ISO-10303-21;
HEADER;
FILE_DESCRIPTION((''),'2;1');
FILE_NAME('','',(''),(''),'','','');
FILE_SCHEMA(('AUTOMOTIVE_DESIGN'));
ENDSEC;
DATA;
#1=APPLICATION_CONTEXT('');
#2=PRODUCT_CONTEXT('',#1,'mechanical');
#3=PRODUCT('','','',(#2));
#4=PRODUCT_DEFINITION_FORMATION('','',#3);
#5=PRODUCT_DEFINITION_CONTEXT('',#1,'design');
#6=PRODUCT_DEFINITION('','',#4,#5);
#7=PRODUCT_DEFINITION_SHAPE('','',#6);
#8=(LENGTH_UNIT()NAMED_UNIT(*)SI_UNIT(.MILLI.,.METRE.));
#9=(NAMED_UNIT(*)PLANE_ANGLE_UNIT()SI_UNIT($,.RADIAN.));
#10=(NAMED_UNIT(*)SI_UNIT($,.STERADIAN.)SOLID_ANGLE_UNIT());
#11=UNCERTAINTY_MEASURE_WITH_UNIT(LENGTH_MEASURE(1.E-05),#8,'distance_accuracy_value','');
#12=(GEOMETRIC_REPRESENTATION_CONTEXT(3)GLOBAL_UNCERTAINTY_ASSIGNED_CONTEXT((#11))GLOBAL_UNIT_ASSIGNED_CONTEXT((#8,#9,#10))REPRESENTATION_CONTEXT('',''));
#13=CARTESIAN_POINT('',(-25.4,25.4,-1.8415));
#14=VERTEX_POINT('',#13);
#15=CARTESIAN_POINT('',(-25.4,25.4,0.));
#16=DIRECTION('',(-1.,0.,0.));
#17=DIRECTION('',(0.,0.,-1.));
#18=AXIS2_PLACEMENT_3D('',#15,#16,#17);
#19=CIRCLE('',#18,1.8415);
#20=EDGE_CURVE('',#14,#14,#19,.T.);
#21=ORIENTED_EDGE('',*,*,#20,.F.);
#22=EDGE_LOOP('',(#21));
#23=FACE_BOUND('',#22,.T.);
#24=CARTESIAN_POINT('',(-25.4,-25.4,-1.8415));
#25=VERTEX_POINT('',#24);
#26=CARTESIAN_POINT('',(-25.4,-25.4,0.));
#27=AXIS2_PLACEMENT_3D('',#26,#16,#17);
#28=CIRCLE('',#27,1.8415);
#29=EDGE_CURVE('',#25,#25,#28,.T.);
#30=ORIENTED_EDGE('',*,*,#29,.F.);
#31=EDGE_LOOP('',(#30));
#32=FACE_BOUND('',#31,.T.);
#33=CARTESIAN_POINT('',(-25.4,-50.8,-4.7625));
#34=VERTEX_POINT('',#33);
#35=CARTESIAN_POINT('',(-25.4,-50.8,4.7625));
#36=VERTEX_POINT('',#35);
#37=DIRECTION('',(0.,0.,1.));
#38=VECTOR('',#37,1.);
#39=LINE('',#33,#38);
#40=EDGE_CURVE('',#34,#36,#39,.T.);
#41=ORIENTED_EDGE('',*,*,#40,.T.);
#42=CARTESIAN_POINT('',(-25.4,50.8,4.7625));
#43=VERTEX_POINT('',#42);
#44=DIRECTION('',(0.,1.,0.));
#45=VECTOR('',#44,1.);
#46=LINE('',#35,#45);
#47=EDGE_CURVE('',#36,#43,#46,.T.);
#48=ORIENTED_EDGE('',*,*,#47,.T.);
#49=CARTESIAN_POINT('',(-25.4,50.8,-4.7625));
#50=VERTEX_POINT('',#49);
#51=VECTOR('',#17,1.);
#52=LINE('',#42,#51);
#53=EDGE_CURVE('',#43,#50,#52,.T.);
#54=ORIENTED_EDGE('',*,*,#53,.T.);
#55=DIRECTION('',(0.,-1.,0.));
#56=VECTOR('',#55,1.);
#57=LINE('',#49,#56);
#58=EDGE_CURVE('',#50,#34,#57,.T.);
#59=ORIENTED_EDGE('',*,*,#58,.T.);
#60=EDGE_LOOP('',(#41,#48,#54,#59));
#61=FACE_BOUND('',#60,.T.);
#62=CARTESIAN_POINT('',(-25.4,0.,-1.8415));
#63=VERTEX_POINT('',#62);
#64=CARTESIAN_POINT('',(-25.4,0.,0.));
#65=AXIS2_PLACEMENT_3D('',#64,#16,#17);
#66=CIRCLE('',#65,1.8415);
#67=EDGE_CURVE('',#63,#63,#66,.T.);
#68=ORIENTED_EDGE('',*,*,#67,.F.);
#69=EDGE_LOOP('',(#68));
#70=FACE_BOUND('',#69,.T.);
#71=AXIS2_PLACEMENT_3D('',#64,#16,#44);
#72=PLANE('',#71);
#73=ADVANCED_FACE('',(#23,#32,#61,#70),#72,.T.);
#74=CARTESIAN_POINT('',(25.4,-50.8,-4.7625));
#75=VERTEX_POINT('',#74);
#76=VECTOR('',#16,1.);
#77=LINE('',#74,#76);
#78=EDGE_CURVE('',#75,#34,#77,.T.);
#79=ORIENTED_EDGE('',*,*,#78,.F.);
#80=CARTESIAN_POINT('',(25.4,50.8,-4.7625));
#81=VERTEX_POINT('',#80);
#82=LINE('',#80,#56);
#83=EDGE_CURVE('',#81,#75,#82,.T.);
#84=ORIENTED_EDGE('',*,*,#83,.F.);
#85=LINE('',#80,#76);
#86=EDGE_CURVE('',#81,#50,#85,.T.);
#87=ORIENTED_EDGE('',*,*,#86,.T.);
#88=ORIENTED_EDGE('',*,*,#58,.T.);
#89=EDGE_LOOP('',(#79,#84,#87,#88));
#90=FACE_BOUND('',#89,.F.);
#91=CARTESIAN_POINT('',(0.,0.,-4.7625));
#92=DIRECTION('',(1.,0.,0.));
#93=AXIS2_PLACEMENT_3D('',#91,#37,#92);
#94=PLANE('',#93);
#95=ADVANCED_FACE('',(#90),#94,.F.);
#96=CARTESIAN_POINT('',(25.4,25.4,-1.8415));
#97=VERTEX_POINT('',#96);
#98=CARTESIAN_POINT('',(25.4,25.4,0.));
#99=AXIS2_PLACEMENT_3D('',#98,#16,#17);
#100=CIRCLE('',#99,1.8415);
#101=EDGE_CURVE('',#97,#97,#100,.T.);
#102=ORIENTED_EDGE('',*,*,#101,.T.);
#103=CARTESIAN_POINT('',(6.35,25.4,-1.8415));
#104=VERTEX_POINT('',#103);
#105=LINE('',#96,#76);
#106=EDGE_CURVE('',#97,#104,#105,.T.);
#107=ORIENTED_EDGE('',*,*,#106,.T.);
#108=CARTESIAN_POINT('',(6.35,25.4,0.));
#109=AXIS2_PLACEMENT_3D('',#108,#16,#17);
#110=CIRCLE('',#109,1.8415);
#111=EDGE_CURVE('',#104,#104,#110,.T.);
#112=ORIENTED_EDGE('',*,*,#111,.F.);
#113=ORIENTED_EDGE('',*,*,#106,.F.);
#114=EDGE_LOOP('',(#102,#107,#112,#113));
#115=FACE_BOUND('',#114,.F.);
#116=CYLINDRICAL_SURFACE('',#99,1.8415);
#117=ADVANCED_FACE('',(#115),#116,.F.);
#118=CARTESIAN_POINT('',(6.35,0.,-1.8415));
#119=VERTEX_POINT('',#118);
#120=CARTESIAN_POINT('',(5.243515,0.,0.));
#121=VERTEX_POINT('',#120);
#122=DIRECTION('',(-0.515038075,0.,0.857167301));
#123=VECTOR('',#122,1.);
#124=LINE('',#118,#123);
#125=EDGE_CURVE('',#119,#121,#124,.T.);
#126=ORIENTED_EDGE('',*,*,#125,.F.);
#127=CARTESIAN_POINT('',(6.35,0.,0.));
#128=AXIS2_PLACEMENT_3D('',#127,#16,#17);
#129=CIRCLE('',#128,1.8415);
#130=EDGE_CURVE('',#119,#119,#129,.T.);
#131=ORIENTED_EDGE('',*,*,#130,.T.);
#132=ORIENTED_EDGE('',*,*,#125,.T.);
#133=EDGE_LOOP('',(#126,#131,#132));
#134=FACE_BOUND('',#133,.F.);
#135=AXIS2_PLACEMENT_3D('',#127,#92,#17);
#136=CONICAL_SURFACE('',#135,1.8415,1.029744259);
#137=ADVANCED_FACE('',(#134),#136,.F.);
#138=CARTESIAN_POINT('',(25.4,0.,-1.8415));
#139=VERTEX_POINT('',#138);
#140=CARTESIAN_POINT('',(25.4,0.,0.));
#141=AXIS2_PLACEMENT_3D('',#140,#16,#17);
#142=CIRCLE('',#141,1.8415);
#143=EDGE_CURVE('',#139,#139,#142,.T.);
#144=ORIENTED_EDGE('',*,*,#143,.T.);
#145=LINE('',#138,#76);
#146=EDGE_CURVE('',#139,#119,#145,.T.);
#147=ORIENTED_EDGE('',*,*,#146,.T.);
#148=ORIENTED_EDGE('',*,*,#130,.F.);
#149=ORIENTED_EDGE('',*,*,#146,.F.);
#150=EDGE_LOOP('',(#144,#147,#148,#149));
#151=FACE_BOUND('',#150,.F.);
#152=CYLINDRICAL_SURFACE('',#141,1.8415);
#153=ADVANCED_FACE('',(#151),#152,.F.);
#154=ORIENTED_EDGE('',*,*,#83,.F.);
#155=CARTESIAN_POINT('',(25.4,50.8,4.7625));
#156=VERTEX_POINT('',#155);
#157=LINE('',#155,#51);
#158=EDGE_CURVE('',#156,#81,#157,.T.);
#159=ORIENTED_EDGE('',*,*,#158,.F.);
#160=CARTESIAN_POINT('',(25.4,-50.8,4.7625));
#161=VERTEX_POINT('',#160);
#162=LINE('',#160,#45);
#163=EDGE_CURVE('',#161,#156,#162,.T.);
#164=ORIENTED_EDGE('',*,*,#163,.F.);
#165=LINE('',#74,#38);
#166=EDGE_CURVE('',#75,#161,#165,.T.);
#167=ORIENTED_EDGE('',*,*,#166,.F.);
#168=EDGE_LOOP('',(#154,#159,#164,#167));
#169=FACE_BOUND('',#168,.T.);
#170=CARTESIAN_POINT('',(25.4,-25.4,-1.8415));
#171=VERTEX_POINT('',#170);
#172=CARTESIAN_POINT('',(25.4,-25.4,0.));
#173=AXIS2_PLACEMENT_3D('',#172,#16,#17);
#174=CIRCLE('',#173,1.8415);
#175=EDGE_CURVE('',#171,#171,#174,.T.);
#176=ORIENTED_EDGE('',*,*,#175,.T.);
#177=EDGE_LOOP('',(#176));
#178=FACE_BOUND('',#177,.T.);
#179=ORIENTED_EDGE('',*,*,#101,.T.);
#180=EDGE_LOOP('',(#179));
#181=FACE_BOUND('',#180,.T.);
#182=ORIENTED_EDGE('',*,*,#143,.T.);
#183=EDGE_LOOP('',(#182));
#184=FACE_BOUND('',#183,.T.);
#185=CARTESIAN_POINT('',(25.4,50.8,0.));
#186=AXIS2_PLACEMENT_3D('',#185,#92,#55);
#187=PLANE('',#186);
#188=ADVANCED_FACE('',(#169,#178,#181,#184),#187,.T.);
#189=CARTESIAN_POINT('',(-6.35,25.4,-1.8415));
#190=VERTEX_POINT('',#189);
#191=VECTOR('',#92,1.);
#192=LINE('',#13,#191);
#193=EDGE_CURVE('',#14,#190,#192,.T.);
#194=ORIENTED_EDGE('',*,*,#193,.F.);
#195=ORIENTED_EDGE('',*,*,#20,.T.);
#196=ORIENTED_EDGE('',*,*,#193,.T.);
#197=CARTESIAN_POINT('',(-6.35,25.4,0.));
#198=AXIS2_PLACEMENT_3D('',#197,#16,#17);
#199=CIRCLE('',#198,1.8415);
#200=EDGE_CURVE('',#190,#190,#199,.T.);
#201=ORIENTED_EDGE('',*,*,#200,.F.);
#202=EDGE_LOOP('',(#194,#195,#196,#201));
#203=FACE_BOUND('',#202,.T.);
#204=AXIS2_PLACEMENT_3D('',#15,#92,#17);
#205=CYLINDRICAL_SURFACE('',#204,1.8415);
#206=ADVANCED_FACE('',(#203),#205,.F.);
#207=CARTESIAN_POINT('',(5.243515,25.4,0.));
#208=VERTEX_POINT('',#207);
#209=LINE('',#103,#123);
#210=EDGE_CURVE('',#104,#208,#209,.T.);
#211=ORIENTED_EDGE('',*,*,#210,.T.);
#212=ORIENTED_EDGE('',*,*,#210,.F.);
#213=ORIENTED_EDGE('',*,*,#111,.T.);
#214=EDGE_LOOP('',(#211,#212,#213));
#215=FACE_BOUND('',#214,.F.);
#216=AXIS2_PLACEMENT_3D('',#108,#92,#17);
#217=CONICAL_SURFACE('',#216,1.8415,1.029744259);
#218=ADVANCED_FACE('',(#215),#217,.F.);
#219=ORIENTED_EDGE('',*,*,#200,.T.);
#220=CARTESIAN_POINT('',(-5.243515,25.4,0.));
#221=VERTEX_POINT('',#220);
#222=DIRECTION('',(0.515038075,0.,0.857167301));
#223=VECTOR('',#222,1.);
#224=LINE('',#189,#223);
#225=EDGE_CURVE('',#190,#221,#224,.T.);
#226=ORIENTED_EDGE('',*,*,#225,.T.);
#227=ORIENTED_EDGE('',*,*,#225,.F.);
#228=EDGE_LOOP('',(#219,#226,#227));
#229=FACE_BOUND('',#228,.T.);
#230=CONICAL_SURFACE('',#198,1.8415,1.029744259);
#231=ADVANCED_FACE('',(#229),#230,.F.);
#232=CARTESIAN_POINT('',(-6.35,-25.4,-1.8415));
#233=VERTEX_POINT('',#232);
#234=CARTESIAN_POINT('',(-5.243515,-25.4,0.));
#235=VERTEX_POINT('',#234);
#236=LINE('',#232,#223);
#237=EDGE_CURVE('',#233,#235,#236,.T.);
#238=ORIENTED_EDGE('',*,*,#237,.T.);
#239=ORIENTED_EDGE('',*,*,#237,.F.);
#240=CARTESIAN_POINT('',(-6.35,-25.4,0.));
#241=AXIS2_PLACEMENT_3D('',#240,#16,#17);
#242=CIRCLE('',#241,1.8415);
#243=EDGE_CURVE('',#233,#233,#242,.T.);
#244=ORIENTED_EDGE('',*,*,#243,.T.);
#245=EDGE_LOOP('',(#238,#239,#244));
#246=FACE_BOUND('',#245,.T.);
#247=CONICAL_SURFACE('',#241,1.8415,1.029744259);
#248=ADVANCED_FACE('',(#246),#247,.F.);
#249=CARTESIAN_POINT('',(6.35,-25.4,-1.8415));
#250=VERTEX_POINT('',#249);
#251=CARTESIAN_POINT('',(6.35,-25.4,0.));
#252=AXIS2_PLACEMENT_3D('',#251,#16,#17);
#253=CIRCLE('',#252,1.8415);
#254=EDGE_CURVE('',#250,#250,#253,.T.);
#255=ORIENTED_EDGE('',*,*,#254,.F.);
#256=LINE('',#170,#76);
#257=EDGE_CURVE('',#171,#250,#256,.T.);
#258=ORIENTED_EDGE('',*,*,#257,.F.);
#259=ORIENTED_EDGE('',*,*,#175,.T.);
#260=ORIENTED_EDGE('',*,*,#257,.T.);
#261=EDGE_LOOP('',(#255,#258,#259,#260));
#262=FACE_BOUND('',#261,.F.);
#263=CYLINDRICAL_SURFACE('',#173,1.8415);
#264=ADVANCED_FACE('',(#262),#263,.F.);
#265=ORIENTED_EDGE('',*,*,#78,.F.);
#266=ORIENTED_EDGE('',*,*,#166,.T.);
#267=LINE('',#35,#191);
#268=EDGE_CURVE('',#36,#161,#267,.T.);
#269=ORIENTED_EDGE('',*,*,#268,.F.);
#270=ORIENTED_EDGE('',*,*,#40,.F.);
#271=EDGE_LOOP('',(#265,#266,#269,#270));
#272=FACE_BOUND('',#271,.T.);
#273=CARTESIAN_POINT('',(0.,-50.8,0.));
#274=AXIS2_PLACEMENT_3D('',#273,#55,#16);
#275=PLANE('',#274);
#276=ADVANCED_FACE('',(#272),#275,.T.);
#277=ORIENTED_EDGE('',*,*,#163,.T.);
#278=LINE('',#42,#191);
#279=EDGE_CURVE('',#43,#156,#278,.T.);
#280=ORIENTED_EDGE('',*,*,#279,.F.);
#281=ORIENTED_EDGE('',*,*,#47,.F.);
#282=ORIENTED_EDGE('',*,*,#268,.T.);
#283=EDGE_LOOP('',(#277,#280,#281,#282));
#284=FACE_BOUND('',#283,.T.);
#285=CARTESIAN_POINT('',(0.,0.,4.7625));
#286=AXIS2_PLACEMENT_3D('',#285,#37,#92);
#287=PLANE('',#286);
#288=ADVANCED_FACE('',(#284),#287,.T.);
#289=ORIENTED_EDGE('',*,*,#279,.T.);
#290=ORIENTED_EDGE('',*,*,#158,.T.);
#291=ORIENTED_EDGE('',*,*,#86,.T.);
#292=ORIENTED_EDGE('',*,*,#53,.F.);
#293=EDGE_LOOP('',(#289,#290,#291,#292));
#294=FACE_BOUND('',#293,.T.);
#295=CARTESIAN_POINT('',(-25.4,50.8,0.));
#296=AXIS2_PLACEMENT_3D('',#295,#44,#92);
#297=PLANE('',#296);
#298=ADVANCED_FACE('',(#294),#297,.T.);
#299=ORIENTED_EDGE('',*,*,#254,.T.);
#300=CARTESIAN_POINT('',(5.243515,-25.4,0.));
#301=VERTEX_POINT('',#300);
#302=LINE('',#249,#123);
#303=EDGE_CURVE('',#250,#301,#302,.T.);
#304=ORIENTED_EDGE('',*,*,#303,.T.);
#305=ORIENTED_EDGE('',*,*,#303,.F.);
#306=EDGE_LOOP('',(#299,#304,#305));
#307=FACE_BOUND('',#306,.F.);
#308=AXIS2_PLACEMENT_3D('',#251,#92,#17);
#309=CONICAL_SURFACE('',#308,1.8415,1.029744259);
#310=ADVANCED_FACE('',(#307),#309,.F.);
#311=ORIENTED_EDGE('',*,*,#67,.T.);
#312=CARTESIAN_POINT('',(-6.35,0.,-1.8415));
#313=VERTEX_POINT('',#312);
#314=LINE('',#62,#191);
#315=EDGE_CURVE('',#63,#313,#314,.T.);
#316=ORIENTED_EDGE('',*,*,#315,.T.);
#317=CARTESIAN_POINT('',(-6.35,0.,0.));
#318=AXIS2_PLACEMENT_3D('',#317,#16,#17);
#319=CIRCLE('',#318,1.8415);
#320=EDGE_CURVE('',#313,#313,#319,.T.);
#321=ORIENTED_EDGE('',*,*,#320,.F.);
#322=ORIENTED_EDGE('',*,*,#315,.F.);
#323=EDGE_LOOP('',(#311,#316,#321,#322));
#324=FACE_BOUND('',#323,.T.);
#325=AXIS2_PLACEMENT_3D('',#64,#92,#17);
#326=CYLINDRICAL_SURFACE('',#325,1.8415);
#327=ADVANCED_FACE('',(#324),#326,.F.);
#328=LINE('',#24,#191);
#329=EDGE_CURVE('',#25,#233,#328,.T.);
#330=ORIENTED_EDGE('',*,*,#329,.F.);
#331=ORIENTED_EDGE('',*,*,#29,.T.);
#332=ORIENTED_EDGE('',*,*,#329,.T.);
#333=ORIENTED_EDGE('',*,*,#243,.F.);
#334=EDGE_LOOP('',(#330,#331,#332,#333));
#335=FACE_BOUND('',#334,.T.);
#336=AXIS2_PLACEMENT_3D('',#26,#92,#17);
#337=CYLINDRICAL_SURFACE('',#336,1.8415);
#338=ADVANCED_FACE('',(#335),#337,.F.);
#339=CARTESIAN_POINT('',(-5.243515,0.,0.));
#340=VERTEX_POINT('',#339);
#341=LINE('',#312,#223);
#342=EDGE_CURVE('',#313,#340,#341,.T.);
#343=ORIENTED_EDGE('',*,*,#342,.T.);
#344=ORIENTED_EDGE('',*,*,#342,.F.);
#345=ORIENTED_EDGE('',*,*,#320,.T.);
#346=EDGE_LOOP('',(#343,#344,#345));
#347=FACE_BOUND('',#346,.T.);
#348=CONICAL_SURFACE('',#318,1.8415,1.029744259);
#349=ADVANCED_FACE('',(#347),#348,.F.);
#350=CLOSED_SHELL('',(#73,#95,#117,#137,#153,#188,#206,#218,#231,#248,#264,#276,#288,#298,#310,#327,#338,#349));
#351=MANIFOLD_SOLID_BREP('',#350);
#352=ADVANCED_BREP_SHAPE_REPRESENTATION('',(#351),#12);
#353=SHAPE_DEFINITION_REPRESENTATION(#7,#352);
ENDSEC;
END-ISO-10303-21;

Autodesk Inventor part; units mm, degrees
ref_plane "YZ Plane" through (0, 0, 0) normal (1, 0, 0) x (0, 1, 0)
ref_plane "XZ Plane" through (0, 0, 0) normal (0, 1, 0) x (-1, 0, 0)
ref_plane "XY Plane" through (0, 0, 0) normal (0, 0, 1) x (1, 0, 0)
sketch "Sketch1" plane through (0, 0, 0) normal (0, 0, 1) x (1, 0, 0)
  line L0 (-35.56, 0) -> (35.56, 0) projected
  line L1 (0, -71.12) -> (0, 71.12) projected
  line L2 (-25.4, 50.8) -> (25.4, 50.8)
  line L3 (25.4, 50.8) -> (25.4, -50.8)
  line L4 (25.4, -50.8) -> (-25.4, -50.8)
  line L5 (-25.4, -50.8) -> (-25.4, 50.8)
  point P0 (0, 0)
  point P1 (-25.4, 0)
  point P2 (0, 50.8)
  dimension "d0" = 101.6
  dimension "d1" = 50.8
extrude "Extrusion1" add sketch "Sketch1" along normal mid plane 9.525
sketch "Sketch2" plane through (25.4, -50.8, 4.7625) normal (1, 0, 0) x (0, 0, -1)
  point P0 (4.7625, 50.8)
  point P1 (4.7625, 76.2)
  point P2 (4.7625, 50.8)
  point P3 (4.7625, 25.4)
  dimension "d4" = 25.4
  dimension "d5" = 25.4
hole "Hole1" at (25.4, 25.4, 0) at (25.4, 0, 0) at (25.4, -25.4, 0) direction (-1, 0, 0) diameter 3.683 depth 19.05 tip angle 118 thread size "10-24 UNC" class "2B" standard "ANSI Unified Screw Threads"
mirror "Mirror1" about plane through (0, 0, 0) normal (1, 0, 0) of "Hole1"
properties part number "plate_connect_block"
